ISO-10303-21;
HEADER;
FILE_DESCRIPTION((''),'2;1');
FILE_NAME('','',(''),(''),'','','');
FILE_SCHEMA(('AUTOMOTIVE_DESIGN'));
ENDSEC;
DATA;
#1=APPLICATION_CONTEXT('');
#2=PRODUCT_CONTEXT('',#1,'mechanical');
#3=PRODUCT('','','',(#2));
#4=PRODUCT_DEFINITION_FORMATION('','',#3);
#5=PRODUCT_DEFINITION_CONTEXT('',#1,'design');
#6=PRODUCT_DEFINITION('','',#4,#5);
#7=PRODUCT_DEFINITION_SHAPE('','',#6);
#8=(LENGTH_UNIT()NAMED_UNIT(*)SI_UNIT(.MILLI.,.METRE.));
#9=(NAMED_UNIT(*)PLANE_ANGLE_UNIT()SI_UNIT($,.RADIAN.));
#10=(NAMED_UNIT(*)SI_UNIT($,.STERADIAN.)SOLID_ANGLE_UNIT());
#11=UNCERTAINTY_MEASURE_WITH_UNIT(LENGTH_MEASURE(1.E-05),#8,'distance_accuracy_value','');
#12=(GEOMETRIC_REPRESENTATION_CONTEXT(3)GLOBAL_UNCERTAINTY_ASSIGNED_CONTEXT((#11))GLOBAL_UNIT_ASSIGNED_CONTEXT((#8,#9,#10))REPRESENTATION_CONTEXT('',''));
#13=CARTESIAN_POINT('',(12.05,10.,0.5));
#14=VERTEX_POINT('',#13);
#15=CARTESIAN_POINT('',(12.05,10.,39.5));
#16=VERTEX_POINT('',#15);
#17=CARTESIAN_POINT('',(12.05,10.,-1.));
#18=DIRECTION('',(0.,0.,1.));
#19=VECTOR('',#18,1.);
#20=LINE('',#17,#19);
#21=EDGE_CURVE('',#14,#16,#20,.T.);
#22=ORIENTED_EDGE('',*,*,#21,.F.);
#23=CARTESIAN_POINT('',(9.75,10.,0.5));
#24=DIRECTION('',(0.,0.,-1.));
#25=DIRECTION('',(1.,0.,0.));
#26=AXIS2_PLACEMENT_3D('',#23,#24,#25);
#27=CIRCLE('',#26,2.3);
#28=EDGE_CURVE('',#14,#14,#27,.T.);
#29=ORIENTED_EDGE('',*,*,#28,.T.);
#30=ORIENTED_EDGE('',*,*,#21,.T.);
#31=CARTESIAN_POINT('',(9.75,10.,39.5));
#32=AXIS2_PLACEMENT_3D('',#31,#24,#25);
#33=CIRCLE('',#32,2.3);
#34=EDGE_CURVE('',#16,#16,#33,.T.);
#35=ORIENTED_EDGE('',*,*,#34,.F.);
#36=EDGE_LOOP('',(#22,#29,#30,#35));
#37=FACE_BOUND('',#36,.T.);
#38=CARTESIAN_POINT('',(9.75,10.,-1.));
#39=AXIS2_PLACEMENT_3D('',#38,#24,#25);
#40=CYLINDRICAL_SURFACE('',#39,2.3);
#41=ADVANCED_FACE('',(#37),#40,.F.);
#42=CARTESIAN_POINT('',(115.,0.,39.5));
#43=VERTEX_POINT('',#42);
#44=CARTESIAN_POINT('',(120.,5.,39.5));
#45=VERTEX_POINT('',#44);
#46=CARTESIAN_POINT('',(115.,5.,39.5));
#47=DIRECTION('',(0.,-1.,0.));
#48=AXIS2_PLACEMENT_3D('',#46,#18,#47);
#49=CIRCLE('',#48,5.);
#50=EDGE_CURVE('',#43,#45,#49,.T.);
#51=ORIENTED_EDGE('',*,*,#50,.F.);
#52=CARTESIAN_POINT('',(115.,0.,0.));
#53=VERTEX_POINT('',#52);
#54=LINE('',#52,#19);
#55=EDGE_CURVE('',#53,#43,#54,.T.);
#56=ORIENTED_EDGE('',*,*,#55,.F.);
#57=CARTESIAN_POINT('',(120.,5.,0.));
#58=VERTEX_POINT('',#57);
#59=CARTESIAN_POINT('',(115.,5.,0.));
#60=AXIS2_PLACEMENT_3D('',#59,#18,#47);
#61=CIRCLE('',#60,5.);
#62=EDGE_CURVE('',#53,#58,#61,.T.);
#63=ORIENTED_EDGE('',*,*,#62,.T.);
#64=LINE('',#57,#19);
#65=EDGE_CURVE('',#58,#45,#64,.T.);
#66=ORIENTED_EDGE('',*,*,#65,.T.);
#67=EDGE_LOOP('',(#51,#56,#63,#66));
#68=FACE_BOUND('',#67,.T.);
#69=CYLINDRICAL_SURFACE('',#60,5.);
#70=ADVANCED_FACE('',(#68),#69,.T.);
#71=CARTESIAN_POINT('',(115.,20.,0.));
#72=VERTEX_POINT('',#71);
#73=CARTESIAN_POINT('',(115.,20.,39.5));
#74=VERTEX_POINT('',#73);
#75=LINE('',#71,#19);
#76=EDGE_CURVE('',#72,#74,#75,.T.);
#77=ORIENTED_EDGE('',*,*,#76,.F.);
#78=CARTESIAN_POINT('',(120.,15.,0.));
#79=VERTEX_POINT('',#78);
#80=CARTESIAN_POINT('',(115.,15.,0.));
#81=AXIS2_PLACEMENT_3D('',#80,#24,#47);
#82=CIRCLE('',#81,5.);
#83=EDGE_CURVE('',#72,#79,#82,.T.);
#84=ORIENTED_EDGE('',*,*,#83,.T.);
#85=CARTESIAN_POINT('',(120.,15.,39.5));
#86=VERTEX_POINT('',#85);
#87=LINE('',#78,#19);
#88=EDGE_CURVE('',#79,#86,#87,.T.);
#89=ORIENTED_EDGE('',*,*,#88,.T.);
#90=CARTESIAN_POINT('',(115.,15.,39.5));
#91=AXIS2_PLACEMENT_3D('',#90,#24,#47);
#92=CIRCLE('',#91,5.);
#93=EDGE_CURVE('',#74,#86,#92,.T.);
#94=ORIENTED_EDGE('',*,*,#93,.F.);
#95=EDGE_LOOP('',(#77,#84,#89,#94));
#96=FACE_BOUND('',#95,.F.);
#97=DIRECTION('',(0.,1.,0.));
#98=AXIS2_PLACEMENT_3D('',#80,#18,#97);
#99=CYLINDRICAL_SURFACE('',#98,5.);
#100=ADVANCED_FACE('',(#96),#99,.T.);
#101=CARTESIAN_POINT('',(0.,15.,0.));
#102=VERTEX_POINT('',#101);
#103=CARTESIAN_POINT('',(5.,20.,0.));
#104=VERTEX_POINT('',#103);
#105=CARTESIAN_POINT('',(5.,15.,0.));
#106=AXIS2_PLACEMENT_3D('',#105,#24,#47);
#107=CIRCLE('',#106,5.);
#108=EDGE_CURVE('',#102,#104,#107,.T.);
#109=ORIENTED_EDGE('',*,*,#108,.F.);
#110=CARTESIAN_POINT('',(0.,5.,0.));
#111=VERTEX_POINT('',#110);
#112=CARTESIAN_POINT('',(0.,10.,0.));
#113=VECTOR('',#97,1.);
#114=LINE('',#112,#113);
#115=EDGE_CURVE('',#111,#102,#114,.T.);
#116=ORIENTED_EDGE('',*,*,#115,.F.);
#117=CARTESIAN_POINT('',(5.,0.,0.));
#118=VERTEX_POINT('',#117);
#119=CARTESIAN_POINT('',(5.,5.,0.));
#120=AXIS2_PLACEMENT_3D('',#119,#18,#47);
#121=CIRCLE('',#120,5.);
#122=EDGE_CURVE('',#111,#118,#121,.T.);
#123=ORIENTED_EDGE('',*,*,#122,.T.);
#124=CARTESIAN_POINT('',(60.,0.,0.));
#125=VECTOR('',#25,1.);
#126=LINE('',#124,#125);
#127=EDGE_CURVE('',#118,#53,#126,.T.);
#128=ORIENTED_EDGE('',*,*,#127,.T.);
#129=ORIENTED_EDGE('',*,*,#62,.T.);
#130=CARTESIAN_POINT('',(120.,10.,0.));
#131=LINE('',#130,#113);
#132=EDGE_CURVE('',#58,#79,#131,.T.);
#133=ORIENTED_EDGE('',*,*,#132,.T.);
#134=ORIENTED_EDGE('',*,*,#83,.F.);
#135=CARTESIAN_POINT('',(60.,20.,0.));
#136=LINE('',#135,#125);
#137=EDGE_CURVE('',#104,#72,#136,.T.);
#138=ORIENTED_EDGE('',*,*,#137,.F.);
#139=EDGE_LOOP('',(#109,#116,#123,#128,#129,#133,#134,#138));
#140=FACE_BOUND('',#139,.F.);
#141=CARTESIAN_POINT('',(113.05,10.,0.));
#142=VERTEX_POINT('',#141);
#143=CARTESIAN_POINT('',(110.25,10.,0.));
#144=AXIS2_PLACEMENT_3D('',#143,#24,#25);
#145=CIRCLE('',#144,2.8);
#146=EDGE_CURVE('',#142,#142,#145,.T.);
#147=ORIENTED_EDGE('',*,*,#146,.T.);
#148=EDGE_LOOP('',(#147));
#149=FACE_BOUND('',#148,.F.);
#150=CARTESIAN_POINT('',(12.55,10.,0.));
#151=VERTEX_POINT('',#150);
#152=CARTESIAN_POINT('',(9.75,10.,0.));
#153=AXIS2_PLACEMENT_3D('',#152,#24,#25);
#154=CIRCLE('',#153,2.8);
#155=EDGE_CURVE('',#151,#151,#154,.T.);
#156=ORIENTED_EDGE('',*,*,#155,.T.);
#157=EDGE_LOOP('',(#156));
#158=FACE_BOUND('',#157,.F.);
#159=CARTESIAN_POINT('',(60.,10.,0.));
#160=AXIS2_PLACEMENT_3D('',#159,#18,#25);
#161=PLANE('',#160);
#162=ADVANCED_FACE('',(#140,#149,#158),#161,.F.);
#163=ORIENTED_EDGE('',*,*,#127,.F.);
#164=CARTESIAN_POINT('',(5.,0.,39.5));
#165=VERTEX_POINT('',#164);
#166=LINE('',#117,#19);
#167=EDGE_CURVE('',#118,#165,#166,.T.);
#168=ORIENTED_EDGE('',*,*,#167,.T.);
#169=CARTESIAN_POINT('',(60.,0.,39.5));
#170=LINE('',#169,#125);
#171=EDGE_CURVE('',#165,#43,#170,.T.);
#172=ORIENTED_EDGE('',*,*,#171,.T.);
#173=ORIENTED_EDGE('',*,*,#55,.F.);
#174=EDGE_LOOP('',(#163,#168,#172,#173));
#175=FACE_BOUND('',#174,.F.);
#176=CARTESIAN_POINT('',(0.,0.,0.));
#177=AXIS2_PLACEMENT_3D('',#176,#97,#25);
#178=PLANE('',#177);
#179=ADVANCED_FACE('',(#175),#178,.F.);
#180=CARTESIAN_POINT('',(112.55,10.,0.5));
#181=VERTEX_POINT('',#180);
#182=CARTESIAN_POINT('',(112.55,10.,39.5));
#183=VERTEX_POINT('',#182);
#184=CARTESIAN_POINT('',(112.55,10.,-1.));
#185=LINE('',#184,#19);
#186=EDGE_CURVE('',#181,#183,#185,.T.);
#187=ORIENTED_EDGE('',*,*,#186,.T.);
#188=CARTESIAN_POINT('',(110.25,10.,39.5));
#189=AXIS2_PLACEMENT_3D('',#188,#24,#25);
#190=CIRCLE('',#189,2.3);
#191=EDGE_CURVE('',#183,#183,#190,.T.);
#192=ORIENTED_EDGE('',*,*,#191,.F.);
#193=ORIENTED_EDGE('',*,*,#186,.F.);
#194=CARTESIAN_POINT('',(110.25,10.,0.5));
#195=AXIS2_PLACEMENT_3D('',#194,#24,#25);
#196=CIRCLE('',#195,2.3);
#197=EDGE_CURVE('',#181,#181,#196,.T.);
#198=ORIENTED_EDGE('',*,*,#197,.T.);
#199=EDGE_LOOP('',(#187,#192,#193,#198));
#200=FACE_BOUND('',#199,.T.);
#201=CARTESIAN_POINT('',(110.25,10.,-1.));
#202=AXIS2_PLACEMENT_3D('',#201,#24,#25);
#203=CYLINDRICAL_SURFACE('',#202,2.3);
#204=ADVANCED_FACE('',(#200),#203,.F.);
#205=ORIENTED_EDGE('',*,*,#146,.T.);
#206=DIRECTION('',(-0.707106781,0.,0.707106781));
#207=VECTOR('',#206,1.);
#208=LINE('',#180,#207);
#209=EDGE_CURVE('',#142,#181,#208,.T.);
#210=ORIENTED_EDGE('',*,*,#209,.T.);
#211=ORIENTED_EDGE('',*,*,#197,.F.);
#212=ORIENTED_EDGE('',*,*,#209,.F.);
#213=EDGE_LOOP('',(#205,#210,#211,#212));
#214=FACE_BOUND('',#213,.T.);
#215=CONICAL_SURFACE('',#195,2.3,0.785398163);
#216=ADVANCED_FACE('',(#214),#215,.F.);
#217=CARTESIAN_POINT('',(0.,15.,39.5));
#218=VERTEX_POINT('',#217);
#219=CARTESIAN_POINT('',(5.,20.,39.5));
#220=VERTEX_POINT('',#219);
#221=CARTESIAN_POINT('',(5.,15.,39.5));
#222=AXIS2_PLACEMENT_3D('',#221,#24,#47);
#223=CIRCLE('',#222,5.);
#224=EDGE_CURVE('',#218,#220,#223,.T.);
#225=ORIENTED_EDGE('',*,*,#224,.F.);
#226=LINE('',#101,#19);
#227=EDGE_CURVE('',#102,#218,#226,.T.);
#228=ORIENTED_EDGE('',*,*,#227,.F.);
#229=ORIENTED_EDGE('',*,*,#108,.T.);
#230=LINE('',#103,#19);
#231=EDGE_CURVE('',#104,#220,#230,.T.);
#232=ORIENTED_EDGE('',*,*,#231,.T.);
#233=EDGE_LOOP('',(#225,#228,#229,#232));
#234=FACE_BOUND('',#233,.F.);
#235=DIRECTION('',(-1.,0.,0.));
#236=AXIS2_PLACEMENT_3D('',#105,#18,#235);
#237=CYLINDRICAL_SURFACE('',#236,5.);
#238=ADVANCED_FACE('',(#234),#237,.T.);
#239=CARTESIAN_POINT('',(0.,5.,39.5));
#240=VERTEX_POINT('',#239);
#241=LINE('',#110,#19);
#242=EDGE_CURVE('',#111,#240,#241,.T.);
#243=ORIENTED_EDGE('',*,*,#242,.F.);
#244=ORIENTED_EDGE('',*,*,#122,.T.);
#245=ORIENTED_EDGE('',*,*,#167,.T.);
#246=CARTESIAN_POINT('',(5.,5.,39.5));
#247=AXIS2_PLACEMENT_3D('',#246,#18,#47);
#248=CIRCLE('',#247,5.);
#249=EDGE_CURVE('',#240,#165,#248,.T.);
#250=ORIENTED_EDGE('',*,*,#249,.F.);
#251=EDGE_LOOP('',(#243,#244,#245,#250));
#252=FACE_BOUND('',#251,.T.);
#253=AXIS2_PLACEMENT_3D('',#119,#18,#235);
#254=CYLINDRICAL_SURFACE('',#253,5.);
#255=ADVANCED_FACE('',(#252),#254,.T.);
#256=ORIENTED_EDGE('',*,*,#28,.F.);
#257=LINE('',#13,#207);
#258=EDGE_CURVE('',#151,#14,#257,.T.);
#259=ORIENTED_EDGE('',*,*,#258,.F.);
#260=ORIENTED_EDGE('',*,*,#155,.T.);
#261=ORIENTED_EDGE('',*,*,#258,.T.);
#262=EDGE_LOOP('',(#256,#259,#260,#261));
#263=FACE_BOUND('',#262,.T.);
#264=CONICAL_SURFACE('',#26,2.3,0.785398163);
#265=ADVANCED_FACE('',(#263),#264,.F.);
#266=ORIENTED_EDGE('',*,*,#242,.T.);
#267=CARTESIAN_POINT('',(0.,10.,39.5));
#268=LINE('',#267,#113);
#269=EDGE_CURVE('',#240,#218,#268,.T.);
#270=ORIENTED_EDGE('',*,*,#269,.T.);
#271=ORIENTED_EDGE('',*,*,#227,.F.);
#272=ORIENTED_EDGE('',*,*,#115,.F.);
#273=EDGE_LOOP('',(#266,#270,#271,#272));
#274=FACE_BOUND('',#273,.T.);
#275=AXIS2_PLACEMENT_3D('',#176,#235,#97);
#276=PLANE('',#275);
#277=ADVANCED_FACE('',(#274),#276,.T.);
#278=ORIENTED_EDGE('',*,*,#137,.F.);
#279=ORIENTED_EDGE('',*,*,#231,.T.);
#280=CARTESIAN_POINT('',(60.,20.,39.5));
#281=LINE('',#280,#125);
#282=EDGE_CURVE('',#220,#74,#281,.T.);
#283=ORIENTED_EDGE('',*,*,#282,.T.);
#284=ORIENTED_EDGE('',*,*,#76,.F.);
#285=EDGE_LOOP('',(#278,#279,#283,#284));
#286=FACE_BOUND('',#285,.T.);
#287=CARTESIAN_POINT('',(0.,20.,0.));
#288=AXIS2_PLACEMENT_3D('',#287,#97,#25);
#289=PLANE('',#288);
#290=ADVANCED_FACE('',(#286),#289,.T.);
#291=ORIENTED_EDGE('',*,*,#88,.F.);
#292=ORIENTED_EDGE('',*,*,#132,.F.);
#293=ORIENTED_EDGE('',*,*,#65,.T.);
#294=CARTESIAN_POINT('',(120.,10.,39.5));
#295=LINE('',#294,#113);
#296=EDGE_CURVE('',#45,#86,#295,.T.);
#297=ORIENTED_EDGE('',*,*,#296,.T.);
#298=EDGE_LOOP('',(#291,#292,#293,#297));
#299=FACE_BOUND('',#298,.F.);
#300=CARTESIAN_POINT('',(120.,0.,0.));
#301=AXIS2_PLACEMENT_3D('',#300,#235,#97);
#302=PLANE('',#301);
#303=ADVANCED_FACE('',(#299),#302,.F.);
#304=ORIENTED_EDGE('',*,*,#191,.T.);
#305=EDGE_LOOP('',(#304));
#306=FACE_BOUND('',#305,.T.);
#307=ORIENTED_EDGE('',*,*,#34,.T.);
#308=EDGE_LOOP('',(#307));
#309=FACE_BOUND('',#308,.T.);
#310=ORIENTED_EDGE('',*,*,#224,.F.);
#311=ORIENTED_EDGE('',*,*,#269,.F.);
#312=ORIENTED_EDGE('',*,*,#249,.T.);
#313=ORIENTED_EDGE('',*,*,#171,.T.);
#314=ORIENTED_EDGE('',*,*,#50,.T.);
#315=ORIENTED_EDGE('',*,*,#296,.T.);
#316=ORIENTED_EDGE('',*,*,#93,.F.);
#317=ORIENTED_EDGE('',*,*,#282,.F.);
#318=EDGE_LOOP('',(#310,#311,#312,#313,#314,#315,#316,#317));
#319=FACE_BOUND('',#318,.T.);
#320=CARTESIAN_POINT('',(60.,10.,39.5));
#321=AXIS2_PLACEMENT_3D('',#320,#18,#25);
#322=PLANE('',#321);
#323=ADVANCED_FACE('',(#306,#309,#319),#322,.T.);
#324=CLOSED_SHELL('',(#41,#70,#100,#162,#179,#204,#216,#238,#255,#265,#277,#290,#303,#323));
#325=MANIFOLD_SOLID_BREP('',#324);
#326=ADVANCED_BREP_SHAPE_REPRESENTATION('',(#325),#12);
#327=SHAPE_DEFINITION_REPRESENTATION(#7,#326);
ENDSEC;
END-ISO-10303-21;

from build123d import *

# Parameters (mm, degrees)
CYLINDER_R        = 2.3
CYLINDER_DEPTH    = 50
CYLINDER001_R     = 2.3
CYLINDER001_DEPTH = 50
BOX_W             = 120
BOX_H             = 20
BOX_DEPTH         = 39.5
FILLET_R          = 5
CHAMFER_SIZE      = 0.5


with BuildPart() as cylinder:
    # Cylinder → Cylinder (new body)
    with BuildSketch(Plane(origin=(9.75, 10, -1), x_dir=(1, 0, 0), z_dir=(0, 0, 1))):
        Circle(CYLINDER_R)
    extrude(amount=CYLINDER_DEPTH)


with BuildPart() as fusion:
    # Cylinder001 → Cylinder001 (new body)
    with BuildSketch(Plane(origin=(110.25, 10, -1), x_dir=(1, 0, 0), z_dir=(0, 0, 1))):
        Circle(CYLINDER001_R)
    extrude(amount=CYLINDER001_DEPTH)

    # Fusion: union Cylinder
    add(cylinder.part)


with BuildPart() as chamfer_body:
    # Box → Box (new body)
    with BuildSketch(Plane.XY):
        with Locations((60, 10)):
            Rectangle(BOX_W, BOX_H)
    extrude(amount=BOX_DEPTH)

    # Cut: cut Fusion
    add(fusion.part, mode=Mode.SUBTRACT)

    # Fillet
    fillet_edges = [chamfer_body.edges().sort_by_distance(p)[0] for p in [
        (0, 0, 19.75),
        (0, 20, 19.75),
        (120, 0, 19.75),
        (120, 20, 19.75),
    ]]
    fillet(fillet_edges, radius=FILLET_R)

    # Chamfer
    chamfer_edges = [chamfer_body.edges().sort_by_distance(p)[0] for p in [
        (107.95, 10, 0),
        (7.45, 10, 0),
    ]]
    chamfer(chamfer_edges, length=CHAMFER_SIZE)


solid = chamfer_body.part
